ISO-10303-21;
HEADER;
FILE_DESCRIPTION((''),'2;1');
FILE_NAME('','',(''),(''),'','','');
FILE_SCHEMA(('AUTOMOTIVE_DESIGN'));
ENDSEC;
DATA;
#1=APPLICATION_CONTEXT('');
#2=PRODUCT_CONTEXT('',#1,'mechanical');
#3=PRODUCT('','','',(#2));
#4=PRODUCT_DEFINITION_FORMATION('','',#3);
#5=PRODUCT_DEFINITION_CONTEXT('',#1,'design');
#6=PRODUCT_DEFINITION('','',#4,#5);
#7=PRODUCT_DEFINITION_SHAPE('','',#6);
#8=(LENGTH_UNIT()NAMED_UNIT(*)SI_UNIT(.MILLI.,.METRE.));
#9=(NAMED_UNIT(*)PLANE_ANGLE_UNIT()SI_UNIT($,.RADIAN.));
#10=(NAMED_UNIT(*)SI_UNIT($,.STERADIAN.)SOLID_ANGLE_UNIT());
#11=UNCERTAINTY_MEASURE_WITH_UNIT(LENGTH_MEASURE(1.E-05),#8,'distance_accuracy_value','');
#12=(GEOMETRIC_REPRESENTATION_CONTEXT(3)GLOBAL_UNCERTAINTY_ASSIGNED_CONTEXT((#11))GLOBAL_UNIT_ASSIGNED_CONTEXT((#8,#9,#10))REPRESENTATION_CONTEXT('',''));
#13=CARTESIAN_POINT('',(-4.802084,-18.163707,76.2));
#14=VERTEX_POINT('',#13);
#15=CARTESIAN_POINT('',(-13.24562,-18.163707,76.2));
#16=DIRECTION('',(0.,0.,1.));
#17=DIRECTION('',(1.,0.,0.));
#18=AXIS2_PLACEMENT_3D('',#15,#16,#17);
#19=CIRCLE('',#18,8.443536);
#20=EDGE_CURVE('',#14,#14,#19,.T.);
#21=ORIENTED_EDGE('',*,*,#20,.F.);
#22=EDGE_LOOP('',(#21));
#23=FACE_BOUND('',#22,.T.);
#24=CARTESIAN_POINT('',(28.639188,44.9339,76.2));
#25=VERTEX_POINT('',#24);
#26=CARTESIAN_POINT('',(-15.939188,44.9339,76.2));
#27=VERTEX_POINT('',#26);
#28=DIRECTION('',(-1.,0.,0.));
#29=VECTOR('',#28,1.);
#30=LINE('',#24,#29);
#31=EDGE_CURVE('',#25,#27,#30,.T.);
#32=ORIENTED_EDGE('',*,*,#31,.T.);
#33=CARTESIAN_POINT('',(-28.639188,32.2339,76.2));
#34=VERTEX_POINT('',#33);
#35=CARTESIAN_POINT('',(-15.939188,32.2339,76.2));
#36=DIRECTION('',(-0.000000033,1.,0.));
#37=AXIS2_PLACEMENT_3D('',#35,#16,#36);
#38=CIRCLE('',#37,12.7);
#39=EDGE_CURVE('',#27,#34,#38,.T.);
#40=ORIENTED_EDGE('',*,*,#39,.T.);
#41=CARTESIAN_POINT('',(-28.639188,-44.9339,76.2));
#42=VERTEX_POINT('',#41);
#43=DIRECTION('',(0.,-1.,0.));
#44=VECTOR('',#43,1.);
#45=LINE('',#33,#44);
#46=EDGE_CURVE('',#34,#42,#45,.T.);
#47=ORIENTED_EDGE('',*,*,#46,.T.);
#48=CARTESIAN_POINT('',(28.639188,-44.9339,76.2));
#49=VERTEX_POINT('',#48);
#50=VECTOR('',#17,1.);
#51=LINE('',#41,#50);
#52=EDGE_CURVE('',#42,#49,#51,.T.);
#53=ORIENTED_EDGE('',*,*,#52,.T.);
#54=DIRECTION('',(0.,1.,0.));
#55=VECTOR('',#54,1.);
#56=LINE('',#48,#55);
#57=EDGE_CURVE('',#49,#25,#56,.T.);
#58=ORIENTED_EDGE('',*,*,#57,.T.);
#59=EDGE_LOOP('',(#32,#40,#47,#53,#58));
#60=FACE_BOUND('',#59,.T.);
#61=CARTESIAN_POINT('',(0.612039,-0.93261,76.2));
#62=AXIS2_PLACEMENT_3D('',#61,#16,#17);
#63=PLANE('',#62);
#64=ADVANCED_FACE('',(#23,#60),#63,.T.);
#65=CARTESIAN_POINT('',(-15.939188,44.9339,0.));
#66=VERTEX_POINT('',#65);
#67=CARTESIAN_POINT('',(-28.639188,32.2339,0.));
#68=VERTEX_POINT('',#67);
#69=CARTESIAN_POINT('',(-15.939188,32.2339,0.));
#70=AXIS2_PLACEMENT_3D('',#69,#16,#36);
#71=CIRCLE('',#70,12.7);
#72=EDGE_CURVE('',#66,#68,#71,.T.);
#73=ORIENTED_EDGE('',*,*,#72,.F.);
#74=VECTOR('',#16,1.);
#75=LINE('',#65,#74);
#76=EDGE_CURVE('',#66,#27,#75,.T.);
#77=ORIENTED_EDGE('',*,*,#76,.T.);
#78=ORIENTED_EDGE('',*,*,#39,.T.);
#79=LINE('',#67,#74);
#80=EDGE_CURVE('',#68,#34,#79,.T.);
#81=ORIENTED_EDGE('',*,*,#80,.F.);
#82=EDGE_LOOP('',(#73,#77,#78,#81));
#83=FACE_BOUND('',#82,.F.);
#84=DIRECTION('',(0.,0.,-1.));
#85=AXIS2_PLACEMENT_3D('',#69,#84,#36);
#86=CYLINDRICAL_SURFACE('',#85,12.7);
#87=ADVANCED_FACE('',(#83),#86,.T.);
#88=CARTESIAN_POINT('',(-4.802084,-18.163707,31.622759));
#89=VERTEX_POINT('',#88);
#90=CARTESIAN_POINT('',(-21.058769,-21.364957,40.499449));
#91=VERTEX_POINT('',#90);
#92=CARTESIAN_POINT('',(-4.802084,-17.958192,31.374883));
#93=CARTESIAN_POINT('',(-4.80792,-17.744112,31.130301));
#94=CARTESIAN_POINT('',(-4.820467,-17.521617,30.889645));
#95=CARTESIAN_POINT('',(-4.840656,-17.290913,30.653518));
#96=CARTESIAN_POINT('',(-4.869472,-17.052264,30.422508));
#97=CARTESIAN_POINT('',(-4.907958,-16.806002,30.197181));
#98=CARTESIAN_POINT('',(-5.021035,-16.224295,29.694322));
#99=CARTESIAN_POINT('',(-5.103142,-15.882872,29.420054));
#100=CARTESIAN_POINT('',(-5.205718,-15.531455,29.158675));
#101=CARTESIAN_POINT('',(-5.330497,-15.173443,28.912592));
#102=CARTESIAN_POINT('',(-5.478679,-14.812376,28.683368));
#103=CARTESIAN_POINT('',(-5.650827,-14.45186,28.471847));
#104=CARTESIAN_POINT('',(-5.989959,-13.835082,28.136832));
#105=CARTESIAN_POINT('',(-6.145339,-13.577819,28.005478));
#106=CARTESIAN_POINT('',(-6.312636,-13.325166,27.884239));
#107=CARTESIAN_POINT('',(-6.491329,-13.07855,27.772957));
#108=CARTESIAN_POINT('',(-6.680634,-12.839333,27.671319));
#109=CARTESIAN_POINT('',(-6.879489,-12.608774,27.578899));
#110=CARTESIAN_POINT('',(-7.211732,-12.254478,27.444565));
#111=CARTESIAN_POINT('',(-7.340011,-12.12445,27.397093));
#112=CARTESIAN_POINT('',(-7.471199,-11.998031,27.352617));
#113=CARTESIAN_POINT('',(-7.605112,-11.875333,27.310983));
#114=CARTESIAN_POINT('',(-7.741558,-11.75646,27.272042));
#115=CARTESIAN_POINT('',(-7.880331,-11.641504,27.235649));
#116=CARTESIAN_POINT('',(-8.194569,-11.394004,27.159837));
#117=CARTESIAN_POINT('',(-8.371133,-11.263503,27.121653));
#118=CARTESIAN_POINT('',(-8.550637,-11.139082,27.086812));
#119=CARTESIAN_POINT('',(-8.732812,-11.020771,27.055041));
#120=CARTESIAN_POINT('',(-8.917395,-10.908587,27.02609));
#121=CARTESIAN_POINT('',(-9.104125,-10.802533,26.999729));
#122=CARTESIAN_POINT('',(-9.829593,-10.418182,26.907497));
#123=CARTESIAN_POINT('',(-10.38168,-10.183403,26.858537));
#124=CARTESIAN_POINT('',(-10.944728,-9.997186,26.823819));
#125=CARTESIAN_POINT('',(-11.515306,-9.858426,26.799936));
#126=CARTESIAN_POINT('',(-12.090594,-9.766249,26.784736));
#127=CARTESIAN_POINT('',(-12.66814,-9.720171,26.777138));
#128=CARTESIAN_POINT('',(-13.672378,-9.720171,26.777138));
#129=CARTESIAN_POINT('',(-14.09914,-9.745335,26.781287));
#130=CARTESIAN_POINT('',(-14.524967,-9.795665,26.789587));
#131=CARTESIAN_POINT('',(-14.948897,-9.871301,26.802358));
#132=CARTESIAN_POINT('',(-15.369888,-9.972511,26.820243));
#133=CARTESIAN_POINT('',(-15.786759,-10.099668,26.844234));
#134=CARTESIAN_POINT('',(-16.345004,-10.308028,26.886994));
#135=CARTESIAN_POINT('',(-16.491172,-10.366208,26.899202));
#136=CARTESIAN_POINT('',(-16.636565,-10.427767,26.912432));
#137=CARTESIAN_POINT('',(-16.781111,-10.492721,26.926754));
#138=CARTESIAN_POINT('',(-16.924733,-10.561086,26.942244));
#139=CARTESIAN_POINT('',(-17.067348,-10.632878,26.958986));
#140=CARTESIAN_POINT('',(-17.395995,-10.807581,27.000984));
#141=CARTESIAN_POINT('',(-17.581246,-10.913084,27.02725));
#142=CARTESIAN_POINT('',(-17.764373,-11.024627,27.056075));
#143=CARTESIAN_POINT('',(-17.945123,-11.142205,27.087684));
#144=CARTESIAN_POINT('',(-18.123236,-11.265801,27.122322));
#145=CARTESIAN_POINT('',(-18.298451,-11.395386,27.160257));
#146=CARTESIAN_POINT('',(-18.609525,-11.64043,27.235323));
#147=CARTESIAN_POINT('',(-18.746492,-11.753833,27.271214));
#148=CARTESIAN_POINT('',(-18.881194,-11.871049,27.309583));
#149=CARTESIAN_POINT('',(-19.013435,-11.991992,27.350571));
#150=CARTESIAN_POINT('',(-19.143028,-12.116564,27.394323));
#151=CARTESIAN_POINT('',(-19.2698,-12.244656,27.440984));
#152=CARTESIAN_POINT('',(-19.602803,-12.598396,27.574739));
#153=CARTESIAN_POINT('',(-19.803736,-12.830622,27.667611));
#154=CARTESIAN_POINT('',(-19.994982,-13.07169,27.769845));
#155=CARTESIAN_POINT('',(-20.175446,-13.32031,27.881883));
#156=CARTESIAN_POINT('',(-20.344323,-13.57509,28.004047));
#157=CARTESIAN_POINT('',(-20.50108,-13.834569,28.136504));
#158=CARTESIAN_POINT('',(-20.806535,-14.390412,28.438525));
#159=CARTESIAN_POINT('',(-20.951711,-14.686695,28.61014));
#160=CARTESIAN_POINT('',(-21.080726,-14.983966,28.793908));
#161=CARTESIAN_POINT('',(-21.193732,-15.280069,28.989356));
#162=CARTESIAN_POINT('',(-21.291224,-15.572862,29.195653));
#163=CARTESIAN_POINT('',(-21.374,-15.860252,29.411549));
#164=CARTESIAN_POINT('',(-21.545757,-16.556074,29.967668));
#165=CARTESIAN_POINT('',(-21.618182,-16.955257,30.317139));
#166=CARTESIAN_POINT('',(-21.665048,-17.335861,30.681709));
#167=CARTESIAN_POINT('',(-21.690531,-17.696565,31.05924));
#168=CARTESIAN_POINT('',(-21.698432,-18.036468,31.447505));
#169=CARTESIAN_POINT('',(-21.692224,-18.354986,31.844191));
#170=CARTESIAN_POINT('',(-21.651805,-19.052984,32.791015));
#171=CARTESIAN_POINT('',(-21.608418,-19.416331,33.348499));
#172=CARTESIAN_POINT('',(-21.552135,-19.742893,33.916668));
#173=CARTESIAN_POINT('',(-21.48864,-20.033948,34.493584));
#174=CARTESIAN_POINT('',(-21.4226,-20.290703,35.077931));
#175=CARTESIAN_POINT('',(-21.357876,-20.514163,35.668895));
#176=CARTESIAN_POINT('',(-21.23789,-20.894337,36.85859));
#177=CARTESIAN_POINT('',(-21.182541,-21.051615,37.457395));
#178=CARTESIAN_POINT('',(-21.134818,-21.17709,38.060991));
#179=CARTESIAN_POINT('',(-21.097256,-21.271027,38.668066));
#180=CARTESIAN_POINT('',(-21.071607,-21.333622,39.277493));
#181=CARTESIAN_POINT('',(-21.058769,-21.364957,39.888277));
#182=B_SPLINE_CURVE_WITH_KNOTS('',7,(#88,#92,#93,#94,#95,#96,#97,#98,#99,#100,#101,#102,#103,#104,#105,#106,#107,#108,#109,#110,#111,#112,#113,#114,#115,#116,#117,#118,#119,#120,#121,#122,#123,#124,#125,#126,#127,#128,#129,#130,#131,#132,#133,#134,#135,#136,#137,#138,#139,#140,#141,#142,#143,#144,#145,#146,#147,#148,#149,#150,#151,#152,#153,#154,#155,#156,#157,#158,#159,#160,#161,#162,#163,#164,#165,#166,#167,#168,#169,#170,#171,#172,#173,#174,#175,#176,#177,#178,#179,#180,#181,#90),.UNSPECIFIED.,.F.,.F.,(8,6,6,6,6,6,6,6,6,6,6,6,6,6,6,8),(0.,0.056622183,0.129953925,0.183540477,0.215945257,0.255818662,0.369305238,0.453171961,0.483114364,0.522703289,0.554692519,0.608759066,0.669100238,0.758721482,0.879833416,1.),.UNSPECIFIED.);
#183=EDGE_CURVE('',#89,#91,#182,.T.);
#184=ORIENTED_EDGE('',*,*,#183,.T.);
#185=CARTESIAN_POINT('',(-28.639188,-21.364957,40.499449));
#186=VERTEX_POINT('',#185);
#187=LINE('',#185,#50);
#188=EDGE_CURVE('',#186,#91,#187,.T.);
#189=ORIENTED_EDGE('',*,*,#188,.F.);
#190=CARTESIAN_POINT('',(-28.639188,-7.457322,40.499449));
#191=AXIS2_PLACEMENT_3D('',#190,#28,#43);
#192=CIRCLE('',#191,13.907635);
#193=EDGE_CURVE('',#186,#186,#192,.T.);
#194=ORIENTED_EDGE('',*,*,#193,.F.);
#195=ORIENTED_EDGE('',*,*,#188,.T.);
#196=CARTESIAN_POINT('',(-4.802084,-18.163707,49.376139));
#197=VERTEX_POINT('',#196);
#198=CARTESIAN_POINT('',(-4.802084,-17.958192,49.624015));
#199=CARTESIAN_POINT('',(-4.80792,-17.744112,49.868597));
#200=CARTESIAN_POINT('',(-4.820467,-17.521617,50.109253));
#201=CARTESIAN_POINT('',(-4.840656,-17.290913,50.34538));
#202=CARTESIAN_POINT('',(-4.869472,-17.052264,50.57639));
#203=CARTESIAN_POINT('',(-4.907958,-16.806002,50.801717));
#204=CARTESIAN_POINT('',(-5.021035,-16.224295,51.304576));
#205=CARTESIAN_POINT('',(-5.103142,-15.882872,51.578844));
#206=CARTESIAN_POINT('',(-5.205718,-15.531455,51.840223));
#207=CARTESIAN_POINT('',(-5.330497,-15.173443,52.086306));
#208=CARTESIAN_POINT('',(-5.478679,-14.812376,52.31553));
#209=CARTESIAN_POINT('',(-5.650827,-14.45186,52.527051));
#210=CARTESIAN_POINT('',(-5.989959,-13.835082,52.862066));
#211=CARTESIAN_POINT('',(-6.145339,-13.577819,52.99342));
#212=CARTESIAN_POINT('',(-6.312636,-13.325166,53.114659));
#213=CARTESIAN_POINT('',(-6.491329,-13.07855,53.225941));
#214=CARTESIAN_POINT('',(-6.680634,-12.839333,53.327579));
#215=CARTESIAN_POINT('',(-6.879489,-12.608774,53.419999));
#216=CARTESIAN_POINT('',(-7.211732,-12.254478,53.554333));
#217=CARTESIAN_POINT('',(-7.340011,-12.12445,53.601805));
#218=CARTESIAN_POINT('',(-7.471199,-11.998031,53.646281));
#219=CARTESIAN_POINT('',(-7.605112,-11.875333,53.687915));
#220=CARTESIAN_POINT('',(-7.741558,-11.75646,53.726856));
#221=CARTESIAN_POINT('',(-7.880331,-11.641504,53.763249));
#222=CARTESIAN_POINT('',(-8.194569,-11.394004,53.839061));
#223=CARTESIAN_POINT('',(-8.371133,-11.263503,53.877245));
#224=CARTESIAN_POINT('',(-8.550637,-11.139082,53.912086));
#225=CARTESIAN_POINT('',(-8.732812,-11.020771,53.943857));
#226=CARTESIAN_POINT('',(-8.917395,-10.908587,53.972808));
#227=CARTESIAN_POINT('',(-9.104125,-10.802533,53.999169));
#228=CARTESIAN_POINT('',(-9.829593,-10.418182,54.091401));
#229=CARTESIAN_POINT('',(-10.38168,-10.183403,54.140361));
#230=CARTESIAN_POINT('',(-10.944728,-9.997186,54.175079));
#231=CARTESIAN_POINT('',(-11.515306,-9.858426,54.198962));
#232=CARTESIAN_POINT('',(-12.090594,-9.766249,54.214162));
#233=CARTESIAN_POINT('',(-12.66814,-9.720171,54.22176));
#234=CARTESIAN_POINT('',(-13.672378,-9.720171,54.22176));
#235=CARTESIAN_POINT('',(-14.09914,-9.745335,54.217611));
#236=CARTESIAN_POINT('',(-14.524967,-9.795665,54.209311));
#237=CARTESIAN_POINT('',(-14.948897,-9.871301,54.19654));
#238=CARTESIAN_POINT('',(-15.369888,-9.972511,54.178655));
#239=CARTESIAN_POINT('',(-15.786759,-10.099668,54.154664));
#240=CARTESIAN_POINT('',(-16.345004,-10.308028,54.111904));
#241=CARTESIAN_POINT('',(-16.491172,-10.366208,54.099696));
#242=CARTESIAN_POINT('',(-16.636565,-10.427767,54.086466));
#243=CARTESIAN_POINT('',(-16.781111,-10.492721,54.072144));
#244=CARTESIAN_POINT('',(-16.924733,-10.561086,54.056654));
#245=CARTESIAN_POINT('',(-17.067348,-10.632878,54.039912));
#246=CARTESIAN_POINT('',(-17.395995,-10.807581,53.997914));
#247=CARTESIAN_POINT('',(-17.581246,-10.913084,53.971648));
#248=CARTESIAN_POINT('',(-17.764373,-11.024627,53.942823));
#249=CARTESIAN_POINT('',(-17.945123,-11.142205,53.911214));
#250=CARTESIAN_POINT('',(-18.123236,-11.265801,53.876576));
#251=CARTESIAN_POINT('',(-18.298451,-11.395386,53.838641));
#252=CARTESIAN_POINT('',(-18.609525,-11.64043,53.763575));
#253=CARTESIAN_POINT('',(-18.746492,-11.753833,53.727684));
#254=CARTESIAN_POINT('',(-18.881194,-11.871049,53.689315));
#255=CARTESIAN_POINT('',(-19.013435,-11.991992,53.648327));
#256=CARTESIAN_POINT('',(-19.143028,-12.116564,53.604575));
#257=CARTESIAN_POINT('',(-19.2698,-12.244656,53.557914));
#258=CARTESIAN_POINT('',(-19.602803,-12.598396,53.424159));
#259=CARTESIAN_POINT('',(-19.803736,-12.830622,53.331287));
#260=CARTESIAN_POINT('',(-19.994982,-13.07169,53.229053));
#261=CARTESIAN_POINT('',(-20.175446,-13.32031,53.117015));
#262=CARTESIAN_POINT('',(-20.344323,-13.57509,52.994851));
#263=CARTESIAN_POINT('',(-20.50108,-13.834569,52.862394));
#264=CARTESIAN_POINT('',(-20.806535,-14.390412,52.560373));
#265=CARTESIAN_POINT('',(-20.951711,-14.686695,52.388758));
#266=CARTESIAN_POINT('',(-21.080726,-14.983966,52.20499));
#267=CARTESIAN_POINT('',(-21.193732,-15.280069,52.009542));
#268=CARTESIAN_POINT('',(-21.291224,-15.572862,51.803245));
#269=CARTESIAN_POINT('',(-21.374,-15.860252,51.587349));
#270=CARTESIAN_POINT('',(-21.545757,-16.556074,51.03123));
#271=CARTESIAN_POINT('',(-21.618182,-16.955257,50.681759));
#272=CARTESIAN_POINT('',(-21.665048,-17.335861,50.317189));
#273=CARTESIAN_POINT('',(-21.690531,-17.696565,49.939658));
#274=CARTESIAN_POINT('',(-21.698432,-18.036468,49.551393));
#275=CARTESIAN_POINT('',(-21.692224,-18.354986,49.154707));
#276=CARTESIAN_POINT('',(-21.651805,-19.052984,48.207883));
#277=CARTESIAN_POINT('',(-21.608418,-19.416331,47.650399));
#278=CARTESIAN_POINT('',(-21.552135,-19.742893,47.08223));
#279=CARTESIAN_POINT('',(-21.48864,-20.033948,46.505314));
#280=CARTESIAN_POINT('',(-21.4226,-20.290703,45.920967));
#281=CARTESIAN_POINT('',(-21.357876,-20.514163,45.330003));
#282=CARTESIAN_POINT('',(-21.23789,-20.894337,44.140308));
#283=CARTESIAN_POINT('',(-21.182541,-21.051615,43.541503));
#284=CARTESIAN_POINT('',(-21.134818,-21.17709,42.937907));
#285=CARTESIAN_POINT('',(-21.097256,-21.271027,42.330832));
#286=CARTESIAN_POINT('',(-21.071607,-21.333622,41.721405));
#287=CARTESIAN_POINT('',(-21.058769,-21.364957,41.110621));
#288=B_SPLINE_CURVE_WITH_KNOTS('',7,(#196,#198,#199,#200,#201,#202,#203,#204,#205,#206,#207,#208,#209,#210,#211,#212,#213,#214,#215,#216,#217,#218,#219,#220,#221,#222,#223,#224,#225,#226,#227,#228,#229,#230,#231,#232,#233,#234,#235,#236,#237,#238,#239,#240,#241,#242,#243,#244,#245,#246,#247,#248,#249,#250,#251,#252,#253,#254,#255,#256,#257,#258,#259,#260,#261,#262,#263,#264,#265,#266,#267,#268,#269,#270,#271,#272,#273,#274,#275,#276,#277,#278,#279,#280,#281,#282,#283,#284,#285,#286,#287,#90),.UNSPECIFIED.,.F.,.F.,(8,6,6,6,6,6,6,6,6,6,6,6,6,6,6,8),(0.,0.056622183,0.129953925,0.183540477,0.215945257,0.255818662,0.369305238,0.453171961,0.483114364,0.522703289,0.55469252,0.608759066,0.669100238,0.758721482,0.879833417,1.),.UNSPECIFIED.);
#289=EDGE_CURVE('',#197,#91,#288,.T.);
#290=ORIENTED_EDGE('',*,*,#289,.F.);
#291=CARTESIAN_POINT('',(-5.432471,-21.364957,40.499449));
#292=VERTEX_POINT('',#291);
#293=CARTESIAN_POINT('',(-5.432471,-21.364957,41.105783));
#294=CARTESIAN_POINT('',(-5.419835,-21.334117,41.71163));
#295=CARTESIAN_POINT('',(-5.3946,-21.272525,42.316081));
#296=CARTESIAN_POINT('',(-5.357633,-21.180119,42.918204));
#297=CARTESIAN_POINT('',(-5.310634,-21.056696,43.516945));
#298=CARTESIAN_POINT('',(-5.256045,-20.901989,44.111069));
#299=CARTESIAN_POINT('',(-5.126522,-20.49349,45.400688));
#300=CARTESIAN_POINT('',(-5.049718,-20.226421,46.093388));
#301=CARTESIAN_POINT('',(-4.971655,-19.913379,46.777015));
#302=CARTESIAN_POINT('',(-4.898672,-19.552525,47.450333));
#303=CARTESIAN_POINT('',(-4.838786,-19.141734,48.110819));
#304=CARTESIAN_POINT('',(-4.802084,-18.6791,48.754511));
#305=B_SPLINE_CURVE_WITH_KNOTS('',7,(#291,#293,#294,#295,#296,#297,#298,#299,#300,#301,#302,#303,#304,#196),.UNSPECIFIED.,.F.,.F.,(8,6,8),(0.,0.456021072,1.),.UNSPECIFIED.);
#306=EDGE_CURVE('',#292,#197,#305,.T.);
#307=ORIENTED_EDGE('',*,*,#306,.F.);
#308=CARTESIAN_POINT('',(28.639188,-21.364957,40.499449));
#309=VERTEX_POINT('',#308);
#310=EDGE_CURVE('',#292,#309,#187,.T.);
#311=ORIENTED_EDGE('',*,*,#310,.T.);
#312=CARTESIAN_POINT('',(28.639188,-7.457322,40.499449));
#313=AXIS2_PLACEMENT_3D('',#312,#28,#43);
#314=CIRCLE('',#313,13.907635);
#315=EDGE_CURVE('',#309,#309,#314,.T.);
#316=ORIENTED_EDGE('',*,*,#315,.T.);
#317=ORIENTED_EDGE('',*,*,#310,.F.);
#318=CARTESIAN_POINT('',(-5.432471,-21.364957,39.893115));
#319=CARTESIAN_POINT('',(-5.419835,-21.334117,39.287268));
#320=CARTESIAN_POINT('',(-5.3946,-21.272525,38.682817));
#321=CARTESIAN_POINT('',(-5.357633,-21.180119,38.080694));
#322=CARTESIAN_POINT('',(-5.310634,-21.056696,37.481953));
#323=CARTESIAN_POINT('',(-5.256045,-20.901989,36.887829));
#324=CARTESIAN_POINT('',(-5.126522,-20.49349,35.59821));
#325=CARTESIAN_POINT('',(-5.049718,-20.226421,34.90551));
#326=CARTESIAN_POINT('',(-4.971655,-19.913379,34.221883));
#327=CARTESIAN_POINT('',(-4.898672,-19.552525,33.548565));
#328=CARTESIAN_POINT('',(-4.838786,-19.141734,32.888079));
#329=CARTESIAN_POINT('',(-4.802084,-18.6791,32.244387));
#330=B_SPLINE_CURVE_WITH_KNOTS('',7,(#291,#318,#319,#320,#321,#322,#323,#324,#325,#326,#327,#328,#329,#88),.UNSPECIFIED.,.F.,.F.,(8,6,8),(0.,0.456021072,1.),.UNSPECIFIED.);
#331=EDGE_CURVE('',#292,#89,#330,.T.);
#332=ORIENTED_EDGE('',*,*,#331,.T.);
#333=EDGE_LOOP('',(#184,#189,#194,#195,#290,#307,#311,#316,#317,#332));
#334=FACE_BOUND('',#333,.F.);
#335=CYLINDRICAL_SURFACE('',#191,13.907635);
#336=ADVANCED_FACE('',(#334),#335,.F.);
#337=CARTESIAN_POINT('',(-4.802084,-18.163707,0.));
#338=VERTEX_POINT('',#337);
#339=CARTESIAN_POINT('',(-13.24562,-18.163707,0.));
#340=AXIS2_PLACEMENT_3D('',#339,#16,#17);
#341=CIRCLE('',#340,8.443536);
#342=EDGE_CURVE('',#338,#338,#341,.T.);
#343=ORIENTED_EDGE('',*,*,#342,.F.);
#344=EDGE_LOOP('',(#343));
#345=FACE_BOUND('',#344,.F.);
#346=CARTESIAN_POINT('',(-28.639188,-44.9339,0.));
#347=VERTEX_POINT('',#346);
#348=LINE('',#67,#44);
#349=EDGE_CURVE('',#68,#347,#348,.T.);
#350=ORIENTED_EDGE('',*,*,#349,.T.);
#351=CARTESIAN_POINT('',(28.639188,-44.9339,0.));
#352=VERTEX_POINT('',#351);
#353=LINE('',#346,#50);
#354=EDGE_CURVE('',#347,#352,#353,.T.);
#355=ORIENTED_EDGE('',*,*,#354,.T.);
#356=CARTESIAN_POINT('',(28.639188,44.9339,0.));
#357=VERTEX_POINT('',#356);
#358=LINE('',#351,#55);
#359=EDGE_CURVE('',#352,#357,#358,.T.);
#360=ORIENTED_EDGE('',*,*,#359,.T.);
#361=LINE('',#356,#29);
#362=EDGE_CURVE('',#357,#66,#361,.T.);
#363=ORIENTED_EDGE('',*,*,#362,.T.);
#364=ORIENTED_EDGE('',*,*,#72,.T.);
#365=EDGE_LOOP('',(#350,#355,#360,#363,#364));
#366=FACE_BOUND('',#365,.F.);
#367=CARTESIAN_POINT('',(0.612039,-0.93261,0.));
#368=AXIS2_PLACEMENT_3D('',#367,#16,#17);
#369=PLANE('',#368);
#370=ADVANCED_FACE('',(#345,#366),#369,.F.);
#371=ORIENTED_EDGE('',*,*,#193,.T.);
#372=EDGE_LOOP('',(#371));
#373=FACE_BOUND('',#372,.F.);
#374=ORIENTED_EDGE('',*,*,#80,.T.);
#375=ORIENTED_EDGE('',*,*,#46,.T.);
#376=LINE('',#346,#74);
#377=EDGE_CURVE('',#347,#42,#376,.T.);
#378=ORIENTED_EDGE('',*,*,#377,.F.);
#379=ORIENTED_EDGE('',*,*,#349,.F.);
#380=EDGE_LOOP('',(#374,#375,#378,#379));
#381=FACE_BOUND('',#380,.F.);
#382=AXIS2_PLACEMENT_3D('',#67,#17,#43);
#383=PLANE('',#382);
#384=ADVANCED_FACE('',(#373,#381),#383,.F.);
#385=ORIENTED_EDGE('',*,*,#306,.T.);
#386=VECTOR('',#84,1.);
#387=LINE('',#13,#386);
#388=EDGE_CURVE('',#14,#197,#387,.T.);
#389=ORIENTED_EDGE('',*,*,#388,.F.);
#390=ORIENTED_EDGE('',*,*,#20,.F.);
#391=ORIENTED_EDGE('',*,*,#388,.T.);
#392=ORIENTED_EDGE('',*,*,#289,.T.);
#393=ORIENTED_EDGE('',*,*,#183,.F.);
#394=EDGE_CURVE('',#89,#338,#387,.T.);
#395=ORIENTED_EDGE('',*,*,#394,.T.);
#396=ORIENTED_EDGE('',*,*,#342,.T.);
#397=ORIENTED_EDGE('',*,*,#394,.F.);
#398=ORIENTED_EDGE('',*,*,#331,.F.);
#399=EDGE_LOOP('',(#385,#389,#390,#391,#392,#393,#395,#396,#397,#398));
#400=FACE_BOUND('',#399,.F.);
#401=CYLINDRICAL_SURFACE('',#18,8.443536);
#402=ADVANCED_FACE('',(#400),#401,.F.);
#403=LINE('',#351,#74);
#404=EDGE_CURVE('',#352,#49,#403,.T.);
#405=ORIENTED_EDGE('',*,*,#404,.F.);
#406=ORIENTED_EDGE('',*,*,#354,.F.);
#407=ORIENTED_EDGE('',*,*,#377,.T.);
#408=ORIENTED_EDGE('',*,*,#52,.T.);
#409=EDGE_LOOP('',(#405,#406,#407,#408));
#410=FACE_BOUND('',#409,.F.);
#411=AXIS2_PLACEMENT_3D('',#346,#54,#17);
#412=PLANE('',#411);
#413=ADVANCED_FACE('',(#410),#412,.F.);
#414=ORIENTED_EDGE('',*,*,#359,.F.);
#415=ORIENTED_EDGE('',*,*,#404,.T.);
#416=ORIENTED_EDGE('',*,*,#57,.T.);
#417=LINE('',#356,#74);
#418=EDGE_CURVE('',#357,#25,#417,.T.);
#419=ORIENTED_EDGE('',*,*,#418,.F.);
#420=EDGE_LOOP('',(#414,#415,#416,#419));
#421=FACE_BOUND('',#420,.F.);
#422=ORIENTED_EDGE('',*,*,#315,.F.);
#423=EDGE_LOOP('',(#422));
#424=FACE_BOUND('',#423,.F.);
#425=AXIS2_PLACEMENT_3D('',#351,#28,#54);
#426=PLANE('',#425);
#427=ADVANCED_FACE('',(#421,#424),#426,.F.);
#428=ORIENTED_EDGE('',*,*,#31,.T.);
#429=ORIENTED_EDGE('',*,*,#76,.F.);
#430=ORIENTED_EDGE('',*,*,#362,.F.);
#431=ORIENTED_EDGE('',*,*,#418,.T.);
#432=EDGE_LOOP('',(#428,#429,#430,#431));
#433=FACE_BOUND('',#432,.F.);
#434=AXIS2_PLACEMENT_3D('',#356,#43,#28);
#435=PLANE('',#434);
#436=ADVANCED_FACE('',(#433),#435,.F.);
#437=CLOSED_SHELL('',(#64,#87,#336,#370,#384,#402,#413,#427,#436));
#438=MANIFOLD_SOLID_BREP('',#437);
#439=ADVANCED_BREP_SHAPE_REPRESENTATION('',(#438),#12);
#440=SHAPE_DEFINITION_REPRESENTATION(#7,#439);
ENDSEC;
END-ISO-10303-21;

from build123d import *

# Parameters (mm, degrees)
F1_DEPTH = 76.2
F2_R     = 8.443536
F3_DEPTH = 76.201
F4_R     = 13.907635
F5_DEPTH = 57.279376


with BuildPart() as f1:
    # F0 (on Top) → F1 (new body)
    with BuildSketch(Plane.XY):
        with BuildLine():
            Line((-28.639188, 32.2339), (-28.639188, -44.9339))
            Line((-28.639188, -44.9339), (28.639188, -44.9339))
            Line((28.639188, -44.9339), (28.639188, 44.9339))
            Line((28.639188, 44.9339), (-15.939188, 44.9339))
            ThreePointArc((-15.939188, 44.9339), (-24.919444, 41.214156), (-28.639188, 32.2339))
        make_face()
    extrude(amount=F1_DEPTH)

    # F2 (on face) → F3 (cut, through all)
    with BuildSketch(Plane.XY.offset(76.2)):
        with Locations((-13.24562, -18.163707)):
            Circle(F2_R)
    extrude(amount=-F3_DEPTH, mode=Mode.SUBTRACT)

    # F4 (on face) → F5 (cut, through all)
    with BuildSketch(Plane(origin=(-28.639188, 0, 0), x_dir=(0, -1, 0), z_dir=(-1, 0, 0))):
        with Locations((7.457322, 40.499449)):
            Circle(F4_R)
    extrude(amount=-F5_DEPTH, mode=Mode.SUBTRACT)


solid = f1.part
